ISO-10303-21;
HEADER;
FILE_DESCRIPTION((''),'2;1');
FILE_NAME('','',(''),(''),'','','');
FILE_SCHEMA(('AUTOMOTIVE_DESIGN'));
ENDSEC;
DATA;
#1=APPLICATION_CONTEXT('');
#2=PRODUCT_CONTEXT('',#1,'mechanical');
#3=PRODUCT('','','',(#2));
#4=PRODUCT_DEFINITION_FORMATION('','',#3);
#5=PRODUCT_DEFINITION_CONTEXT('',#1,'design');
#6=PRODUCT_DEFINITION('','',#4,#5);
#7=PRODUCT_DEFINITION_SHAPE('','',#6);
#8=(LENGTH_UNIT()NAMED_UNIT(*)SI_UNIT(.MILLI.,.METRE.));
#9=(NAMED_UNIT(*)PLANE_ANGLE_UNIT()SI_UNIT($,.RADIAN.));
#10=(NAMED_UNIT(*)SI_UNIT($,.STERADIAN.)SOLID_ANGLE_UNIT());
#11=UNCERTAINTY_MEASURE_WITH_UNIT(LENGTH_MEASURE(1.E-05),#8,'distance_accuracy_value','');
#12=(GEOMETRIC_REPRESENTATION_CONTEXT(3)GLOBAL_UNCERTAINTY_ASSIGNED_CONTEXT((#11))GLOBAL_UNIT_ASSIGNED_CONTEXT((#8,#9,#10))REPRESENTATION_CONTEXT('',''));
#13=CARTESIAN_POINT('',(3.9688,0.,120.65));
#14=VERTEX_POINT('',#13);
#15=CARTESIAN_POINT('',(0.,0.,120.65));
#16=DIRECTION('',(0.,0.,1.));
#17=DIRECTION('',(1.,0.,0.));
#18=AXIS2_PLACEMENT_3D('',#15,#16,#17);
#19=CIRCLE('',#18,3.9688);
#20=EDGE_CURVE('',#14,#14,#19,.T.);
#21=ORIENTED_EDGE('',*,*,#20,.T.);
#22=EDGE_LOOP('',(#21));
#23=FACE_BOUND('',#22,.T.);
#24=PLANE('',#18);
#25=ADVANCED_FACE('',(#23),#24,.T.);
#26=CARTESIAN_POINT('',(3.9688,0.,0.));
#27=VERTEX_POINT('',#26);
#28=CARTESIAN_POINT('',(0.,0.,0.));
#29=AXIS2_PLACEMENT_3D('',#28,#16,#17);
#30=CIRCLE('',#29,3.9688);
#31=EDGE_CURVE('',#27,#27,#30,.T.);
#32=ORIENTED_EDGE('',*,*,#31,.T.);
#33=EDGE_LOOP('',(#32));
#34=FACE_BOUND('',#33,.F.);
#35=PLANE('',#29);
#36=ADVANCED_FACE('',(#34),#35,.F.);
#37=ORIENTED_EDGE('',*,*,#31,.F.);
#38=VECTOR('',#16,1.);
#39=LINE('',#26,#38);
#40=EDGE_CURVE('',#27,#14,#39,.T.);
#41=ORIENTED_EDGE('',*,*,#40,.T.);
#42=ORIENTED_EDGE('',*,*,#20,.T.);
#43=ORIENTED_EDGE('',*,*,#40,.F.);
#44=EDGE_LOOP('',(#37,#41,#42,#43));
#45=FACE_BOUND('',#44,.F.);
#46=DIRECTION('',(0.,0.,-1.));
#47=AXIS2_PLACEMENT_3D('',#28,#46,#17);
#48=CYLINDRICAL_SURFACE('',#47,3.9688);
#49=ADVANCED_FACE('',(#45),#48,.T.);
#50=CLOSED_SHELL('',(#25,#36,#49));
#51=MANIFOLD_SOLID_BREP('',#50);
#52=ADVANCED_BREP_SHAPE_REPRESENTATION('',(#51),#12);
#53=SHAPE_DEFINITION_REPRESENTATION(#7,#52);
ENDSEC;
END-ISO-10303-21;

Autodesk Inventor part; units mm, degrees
ref_plane "YZ Plane" through (0, 0, 0) normal (1, 0, 0) x (0, 1, 0)
ref_plane "XZ Plane" through (0, 0, 0) normal (0, 1, 0) x (-1, 0, 0)
ref_plane "XY Plane" through (0, 0, 0) normal (0, 0, 1) x (1, 0, 0)
sketch "Sketch1" plane through (0, 0, 0) normal (0, 0, 1) x (1, 0, 0)
  circle A0 centre (0, 0) radius 3.9688
  dimension "d0" = 7.9375
extrude "Extrusion1" add sketch "Sketch1" along normal blind 120.65
properties part number "Rear_axel"
